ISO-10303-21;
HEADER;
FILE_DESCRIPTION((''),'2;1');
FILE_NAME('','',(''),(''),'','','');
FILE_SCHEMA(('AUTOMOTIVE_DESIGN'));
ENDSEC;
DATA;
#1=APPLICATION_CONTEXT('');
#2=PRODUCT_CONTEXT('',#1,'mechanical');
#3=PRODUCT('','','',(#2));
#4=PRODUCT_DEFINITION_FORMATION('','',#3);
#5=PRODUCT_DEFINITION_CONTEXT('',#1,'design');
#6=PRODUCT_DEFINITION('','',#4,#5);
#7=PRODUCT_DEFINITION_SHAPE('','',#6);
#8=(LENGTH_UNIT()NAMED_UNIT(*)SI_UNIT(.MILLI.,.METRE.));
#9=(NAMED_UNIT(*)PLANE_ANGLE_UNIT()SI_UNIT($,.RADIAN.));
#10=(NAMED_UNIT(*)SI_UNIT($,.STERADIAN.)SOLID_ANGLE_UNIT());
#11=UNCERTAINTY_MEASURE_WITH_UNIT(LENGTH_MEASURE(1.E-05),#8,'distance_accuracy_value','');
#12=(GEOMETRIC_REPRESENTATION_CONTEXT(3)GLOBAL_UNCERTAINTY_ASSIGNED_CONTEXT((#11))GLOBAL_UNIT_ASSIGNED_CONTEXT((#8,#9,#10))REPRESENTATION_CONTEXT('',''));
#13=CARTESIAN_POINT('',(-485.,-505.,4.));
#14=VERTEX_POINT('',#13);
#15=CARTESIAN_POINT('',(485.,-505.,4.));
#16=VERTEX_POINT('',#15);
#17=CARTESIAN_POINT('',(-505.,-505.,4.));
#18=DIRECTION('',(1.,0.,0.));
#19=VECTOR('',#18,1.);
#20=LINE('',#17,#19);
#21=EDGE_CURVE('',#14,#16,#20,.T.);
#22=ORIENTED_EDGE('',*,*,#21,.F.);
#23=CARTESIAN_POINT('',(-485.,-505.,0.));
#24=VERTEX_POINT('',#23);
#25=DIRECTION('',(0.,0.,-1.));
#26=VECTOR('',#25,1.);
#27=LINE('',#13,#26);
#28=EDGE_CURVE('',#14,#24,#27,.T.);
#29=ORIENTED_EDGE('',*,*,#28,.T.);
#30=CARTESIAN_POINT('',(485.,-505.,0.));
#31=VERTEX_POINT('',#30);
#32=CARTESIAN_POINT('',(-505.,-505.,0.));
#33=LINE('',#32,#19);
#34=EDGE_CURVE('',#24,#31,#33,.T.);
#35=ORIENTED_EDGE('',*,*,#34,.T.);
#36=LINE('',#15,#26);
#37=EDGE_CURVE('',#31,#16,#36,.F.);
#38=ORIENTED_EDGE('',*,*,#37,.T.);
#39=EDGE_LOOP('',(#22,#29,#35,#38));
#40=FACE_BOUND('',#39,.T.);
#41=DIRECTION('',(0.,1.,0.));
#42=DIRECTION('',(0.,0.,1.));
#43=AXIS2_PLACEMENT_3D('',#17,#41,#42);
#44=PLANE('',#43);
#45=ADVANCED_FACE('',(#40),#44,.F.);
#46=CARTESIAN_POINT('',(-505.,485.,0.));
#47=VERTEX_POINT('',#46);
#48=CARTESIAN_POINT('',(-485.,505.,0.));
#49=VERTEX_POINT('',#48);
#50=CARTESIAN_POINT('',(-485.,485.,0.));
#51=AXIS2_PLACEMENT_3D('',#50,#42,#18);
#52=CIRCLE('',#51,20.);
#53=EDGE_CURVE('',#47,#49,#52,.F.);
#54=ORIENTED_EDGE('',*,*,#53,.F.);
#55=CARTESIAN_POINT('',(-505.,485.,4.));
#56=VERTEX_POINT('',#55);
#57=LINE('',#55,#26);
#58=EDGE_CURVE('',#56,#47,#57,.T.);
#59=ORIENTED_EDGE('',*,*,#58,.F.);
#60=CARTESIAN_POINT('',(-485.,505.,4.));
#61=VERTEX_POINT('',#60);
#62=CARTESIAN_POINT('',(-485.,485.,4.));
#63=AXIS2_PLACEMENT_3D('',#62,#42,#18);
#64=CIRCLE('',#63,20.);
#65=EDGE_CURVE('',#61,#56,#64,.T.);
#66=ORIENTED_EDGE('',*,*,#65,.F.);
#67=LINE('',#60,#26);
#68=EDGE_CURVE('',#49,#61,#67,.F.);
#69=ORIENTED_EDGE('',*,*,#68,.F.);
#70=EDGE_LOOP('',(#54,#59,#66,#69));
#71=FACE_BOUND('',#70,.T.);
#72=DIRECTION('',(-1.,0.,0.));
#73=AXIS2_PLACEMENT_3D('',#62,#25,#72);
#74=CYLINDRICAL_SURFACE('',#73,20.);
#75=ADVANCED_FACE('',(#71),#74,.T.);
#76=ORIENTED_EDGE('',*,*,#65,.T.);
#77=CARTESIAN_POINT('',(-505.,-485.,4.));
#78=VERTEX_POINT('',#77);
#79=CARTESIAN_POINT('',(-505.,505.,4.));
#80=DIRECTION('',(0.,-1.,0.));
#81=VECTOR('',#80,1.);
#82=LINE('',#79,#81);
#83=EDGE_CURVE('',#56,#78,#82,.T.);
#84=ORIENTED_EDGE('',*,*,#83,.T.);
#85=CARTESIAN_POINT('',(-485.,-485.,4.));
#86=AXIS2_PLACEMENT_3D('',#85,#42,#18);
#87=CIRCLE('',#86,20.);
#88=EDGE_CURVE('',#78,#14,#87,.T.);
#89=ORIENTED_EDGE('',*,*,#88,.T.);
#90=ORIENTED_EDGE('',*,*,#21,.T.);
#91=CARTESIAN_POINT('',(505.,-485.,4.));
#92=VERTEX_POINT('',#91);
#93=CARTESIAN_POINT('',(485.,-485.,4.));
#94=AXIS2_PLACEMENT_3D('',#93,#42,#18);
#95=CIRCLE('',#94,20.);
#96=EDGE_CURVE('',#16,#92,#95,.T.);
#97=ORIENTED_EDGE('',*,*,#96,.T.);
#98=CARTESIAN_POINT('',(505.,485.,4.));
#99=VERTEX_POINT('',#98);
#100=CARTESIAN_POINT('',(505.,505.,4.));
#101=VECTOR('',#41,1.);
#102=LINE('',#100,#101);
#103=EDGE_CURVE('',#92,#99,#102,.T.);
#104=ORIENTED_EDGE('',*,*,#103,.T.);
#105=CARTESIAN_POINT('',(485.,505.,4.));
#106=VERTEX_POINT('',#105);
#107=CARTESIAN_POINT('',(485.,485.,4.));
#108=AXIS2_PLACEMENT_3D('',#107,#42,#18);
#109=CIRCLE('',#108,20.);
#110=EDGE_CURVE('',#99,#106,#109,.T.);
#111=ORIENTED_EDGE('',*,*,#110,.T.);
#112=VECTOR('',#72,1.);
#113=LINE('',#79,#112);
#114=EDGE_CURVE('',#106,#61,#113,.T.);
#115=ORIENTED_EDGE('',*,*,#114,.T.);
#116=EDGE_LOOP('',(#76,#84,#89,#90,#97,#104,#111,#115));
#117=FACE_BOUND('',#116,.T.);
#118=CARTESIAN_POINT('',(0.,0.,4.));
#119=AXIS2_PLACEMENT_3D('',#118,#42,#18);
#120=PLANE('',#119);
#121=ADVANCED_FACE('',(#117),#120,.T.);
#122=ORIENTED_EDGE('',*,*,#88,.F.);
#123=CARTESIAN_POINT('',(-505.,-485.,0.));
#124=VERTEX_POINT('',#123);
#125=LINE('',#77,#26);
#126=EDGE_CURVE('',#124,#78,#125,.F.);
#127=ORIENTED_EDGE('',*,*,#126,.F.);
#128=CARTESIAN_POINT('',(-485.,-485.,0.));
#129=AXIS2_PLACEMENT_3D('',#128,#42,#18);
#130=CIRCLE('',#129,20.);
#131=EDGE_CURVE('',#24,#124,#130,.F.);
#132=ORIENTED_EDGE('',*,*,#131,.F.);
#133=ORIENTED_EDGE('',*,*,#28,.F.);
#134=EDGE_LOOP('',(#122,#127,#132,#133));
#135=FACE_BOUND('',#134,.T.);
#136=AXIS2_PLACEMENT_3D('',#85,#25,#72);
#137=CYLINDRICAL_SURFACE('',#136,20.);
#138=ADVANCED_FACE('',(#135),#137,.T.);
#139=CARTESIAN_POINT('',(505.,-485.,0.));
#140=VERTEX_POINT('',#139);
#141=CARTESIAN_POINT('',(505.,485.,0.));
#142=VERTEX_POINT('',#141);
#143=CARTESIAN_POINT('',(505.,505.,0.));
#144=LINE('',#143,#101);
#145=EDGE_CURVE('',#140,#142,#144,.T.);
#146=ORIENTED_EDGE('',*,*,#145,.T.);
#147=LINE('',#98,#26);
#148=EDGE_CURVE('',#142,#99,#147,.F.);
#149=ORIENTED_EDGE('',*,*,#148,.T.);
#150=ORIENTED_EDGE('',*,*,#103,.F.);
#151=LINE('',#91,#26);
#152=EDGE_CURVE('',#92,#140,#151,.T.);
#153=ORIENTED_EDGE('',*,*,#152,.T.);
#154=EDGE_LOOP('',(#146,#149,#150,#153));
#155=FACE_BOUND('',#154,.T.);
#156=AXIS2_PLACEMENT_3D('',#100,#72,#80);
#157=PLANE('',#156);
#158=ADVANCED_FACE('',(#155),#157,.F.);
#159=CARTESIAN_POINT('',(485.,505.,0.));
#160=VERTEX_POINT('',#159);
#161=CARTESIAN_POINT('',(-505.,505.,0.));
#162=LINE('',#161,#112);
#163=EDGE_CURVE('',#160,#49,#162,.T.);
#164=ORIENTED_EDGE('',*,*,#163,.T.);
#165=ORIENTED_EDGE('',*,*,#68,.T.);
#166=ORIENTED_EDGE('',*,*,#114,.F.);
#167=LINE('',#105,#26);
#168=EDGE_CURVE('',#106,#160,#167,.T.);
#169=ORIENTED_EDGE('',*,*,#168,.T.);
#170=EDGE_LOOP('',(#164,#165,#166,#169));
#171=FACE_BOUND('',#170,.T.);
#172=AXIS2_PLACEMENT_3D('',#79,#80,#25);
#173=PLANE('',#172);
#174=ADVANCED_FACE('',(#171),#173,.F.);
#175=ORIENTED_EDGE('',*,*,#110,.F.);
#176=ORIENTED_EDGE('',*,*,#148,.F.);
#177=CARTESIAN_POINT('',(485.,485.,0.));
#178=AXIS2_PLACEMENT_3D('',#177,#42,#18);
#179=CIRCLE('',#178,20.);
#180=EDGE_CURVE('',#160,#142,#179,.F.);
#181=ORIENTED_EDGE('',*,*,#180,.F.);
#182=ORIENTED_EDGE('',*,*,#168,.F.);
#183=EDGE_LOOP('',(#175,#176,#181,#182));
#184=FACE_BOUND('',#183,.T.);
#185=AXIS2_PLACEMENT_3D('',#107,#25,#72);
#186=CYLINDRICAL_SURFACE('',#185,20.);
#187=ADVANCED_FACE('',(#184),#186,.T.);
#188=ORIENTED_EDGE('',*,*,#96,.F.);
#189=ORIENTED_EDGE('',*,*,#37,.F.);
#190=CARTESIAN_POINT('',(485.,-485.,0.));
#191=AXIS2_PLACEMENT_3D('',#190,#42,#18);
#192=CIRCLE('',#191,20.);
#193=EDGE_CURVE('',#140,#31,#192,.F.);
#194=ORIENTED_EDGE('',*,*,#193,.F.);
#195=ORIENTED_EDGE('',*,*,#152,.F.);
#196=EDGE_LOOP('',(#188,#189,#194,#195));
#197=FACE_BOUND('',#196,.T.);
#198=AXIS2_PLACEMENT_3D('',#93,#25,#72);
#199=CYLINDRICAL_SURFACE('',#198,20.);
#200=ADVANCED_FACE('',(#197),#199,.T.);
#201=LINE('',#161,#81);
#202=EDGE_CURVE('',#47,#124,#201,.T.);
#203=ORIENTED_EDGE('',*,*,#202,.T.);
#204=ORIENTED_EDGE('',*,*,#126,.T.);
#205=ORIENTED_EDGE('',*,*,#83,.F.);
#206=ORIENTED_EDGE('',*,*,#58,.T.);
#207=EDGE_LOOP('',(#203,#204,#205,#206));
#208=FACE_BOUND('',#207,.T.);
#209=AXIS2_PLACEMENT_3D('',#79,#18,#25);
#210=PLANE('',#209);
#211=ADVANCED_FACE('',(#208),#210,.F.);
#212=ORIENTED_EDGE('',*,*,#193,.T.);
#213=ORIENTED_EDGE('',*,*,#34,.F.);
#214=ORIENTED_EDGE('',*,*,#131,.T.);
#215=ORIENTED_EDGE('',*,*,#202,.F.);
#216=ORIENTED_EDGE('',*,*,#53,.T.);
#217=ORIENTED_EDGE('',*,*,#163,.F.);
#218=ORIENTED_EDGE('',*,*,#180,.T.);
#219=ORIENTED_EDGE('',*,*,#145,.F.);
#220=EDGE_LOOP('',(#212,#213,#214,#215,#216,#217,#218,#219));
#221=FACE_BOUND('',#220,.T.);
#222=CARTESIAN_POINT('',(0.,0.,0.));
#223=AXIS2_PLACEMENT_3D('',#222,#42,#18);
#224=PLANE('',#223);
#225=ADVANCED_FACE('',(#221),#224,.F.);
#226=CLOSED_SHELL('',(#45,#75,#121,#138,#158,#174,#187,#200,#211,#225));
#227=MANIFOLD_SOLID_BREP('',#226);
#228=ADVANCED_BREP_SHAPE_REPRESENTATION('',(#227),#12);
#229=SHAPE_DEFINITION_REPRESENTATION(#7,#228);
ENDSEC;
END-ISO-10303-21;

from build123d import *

# Parameters (mm, degrees)
SKETCH1_W           = 1010
SKETCH1_H           = 1010
BOSS_EXTRUDE1_DEPTH = 4
FILLET1_R           = 20


with BuildPart() as part:
    # Sketch1 → Boss-Extrude1 (new body)
    with BuildSketch(Plane.XY):
        Rectangle(SKETCH1_W, SKETCH1_H)
    extrude(amount=BOSS_EXTRUDE1_DEPTH)

    # Fillet1
    fillet1_edges = [part.edges().sort_by_distance(p)[0] for p in [
        (505, -505, 2),
        (-505, -505, 2),
        (-505, 505, 2),
        (505, 505, 2),
    ]]
    fillet(fillet1_edges, radius=FILLET1_R)


solid = part.part
